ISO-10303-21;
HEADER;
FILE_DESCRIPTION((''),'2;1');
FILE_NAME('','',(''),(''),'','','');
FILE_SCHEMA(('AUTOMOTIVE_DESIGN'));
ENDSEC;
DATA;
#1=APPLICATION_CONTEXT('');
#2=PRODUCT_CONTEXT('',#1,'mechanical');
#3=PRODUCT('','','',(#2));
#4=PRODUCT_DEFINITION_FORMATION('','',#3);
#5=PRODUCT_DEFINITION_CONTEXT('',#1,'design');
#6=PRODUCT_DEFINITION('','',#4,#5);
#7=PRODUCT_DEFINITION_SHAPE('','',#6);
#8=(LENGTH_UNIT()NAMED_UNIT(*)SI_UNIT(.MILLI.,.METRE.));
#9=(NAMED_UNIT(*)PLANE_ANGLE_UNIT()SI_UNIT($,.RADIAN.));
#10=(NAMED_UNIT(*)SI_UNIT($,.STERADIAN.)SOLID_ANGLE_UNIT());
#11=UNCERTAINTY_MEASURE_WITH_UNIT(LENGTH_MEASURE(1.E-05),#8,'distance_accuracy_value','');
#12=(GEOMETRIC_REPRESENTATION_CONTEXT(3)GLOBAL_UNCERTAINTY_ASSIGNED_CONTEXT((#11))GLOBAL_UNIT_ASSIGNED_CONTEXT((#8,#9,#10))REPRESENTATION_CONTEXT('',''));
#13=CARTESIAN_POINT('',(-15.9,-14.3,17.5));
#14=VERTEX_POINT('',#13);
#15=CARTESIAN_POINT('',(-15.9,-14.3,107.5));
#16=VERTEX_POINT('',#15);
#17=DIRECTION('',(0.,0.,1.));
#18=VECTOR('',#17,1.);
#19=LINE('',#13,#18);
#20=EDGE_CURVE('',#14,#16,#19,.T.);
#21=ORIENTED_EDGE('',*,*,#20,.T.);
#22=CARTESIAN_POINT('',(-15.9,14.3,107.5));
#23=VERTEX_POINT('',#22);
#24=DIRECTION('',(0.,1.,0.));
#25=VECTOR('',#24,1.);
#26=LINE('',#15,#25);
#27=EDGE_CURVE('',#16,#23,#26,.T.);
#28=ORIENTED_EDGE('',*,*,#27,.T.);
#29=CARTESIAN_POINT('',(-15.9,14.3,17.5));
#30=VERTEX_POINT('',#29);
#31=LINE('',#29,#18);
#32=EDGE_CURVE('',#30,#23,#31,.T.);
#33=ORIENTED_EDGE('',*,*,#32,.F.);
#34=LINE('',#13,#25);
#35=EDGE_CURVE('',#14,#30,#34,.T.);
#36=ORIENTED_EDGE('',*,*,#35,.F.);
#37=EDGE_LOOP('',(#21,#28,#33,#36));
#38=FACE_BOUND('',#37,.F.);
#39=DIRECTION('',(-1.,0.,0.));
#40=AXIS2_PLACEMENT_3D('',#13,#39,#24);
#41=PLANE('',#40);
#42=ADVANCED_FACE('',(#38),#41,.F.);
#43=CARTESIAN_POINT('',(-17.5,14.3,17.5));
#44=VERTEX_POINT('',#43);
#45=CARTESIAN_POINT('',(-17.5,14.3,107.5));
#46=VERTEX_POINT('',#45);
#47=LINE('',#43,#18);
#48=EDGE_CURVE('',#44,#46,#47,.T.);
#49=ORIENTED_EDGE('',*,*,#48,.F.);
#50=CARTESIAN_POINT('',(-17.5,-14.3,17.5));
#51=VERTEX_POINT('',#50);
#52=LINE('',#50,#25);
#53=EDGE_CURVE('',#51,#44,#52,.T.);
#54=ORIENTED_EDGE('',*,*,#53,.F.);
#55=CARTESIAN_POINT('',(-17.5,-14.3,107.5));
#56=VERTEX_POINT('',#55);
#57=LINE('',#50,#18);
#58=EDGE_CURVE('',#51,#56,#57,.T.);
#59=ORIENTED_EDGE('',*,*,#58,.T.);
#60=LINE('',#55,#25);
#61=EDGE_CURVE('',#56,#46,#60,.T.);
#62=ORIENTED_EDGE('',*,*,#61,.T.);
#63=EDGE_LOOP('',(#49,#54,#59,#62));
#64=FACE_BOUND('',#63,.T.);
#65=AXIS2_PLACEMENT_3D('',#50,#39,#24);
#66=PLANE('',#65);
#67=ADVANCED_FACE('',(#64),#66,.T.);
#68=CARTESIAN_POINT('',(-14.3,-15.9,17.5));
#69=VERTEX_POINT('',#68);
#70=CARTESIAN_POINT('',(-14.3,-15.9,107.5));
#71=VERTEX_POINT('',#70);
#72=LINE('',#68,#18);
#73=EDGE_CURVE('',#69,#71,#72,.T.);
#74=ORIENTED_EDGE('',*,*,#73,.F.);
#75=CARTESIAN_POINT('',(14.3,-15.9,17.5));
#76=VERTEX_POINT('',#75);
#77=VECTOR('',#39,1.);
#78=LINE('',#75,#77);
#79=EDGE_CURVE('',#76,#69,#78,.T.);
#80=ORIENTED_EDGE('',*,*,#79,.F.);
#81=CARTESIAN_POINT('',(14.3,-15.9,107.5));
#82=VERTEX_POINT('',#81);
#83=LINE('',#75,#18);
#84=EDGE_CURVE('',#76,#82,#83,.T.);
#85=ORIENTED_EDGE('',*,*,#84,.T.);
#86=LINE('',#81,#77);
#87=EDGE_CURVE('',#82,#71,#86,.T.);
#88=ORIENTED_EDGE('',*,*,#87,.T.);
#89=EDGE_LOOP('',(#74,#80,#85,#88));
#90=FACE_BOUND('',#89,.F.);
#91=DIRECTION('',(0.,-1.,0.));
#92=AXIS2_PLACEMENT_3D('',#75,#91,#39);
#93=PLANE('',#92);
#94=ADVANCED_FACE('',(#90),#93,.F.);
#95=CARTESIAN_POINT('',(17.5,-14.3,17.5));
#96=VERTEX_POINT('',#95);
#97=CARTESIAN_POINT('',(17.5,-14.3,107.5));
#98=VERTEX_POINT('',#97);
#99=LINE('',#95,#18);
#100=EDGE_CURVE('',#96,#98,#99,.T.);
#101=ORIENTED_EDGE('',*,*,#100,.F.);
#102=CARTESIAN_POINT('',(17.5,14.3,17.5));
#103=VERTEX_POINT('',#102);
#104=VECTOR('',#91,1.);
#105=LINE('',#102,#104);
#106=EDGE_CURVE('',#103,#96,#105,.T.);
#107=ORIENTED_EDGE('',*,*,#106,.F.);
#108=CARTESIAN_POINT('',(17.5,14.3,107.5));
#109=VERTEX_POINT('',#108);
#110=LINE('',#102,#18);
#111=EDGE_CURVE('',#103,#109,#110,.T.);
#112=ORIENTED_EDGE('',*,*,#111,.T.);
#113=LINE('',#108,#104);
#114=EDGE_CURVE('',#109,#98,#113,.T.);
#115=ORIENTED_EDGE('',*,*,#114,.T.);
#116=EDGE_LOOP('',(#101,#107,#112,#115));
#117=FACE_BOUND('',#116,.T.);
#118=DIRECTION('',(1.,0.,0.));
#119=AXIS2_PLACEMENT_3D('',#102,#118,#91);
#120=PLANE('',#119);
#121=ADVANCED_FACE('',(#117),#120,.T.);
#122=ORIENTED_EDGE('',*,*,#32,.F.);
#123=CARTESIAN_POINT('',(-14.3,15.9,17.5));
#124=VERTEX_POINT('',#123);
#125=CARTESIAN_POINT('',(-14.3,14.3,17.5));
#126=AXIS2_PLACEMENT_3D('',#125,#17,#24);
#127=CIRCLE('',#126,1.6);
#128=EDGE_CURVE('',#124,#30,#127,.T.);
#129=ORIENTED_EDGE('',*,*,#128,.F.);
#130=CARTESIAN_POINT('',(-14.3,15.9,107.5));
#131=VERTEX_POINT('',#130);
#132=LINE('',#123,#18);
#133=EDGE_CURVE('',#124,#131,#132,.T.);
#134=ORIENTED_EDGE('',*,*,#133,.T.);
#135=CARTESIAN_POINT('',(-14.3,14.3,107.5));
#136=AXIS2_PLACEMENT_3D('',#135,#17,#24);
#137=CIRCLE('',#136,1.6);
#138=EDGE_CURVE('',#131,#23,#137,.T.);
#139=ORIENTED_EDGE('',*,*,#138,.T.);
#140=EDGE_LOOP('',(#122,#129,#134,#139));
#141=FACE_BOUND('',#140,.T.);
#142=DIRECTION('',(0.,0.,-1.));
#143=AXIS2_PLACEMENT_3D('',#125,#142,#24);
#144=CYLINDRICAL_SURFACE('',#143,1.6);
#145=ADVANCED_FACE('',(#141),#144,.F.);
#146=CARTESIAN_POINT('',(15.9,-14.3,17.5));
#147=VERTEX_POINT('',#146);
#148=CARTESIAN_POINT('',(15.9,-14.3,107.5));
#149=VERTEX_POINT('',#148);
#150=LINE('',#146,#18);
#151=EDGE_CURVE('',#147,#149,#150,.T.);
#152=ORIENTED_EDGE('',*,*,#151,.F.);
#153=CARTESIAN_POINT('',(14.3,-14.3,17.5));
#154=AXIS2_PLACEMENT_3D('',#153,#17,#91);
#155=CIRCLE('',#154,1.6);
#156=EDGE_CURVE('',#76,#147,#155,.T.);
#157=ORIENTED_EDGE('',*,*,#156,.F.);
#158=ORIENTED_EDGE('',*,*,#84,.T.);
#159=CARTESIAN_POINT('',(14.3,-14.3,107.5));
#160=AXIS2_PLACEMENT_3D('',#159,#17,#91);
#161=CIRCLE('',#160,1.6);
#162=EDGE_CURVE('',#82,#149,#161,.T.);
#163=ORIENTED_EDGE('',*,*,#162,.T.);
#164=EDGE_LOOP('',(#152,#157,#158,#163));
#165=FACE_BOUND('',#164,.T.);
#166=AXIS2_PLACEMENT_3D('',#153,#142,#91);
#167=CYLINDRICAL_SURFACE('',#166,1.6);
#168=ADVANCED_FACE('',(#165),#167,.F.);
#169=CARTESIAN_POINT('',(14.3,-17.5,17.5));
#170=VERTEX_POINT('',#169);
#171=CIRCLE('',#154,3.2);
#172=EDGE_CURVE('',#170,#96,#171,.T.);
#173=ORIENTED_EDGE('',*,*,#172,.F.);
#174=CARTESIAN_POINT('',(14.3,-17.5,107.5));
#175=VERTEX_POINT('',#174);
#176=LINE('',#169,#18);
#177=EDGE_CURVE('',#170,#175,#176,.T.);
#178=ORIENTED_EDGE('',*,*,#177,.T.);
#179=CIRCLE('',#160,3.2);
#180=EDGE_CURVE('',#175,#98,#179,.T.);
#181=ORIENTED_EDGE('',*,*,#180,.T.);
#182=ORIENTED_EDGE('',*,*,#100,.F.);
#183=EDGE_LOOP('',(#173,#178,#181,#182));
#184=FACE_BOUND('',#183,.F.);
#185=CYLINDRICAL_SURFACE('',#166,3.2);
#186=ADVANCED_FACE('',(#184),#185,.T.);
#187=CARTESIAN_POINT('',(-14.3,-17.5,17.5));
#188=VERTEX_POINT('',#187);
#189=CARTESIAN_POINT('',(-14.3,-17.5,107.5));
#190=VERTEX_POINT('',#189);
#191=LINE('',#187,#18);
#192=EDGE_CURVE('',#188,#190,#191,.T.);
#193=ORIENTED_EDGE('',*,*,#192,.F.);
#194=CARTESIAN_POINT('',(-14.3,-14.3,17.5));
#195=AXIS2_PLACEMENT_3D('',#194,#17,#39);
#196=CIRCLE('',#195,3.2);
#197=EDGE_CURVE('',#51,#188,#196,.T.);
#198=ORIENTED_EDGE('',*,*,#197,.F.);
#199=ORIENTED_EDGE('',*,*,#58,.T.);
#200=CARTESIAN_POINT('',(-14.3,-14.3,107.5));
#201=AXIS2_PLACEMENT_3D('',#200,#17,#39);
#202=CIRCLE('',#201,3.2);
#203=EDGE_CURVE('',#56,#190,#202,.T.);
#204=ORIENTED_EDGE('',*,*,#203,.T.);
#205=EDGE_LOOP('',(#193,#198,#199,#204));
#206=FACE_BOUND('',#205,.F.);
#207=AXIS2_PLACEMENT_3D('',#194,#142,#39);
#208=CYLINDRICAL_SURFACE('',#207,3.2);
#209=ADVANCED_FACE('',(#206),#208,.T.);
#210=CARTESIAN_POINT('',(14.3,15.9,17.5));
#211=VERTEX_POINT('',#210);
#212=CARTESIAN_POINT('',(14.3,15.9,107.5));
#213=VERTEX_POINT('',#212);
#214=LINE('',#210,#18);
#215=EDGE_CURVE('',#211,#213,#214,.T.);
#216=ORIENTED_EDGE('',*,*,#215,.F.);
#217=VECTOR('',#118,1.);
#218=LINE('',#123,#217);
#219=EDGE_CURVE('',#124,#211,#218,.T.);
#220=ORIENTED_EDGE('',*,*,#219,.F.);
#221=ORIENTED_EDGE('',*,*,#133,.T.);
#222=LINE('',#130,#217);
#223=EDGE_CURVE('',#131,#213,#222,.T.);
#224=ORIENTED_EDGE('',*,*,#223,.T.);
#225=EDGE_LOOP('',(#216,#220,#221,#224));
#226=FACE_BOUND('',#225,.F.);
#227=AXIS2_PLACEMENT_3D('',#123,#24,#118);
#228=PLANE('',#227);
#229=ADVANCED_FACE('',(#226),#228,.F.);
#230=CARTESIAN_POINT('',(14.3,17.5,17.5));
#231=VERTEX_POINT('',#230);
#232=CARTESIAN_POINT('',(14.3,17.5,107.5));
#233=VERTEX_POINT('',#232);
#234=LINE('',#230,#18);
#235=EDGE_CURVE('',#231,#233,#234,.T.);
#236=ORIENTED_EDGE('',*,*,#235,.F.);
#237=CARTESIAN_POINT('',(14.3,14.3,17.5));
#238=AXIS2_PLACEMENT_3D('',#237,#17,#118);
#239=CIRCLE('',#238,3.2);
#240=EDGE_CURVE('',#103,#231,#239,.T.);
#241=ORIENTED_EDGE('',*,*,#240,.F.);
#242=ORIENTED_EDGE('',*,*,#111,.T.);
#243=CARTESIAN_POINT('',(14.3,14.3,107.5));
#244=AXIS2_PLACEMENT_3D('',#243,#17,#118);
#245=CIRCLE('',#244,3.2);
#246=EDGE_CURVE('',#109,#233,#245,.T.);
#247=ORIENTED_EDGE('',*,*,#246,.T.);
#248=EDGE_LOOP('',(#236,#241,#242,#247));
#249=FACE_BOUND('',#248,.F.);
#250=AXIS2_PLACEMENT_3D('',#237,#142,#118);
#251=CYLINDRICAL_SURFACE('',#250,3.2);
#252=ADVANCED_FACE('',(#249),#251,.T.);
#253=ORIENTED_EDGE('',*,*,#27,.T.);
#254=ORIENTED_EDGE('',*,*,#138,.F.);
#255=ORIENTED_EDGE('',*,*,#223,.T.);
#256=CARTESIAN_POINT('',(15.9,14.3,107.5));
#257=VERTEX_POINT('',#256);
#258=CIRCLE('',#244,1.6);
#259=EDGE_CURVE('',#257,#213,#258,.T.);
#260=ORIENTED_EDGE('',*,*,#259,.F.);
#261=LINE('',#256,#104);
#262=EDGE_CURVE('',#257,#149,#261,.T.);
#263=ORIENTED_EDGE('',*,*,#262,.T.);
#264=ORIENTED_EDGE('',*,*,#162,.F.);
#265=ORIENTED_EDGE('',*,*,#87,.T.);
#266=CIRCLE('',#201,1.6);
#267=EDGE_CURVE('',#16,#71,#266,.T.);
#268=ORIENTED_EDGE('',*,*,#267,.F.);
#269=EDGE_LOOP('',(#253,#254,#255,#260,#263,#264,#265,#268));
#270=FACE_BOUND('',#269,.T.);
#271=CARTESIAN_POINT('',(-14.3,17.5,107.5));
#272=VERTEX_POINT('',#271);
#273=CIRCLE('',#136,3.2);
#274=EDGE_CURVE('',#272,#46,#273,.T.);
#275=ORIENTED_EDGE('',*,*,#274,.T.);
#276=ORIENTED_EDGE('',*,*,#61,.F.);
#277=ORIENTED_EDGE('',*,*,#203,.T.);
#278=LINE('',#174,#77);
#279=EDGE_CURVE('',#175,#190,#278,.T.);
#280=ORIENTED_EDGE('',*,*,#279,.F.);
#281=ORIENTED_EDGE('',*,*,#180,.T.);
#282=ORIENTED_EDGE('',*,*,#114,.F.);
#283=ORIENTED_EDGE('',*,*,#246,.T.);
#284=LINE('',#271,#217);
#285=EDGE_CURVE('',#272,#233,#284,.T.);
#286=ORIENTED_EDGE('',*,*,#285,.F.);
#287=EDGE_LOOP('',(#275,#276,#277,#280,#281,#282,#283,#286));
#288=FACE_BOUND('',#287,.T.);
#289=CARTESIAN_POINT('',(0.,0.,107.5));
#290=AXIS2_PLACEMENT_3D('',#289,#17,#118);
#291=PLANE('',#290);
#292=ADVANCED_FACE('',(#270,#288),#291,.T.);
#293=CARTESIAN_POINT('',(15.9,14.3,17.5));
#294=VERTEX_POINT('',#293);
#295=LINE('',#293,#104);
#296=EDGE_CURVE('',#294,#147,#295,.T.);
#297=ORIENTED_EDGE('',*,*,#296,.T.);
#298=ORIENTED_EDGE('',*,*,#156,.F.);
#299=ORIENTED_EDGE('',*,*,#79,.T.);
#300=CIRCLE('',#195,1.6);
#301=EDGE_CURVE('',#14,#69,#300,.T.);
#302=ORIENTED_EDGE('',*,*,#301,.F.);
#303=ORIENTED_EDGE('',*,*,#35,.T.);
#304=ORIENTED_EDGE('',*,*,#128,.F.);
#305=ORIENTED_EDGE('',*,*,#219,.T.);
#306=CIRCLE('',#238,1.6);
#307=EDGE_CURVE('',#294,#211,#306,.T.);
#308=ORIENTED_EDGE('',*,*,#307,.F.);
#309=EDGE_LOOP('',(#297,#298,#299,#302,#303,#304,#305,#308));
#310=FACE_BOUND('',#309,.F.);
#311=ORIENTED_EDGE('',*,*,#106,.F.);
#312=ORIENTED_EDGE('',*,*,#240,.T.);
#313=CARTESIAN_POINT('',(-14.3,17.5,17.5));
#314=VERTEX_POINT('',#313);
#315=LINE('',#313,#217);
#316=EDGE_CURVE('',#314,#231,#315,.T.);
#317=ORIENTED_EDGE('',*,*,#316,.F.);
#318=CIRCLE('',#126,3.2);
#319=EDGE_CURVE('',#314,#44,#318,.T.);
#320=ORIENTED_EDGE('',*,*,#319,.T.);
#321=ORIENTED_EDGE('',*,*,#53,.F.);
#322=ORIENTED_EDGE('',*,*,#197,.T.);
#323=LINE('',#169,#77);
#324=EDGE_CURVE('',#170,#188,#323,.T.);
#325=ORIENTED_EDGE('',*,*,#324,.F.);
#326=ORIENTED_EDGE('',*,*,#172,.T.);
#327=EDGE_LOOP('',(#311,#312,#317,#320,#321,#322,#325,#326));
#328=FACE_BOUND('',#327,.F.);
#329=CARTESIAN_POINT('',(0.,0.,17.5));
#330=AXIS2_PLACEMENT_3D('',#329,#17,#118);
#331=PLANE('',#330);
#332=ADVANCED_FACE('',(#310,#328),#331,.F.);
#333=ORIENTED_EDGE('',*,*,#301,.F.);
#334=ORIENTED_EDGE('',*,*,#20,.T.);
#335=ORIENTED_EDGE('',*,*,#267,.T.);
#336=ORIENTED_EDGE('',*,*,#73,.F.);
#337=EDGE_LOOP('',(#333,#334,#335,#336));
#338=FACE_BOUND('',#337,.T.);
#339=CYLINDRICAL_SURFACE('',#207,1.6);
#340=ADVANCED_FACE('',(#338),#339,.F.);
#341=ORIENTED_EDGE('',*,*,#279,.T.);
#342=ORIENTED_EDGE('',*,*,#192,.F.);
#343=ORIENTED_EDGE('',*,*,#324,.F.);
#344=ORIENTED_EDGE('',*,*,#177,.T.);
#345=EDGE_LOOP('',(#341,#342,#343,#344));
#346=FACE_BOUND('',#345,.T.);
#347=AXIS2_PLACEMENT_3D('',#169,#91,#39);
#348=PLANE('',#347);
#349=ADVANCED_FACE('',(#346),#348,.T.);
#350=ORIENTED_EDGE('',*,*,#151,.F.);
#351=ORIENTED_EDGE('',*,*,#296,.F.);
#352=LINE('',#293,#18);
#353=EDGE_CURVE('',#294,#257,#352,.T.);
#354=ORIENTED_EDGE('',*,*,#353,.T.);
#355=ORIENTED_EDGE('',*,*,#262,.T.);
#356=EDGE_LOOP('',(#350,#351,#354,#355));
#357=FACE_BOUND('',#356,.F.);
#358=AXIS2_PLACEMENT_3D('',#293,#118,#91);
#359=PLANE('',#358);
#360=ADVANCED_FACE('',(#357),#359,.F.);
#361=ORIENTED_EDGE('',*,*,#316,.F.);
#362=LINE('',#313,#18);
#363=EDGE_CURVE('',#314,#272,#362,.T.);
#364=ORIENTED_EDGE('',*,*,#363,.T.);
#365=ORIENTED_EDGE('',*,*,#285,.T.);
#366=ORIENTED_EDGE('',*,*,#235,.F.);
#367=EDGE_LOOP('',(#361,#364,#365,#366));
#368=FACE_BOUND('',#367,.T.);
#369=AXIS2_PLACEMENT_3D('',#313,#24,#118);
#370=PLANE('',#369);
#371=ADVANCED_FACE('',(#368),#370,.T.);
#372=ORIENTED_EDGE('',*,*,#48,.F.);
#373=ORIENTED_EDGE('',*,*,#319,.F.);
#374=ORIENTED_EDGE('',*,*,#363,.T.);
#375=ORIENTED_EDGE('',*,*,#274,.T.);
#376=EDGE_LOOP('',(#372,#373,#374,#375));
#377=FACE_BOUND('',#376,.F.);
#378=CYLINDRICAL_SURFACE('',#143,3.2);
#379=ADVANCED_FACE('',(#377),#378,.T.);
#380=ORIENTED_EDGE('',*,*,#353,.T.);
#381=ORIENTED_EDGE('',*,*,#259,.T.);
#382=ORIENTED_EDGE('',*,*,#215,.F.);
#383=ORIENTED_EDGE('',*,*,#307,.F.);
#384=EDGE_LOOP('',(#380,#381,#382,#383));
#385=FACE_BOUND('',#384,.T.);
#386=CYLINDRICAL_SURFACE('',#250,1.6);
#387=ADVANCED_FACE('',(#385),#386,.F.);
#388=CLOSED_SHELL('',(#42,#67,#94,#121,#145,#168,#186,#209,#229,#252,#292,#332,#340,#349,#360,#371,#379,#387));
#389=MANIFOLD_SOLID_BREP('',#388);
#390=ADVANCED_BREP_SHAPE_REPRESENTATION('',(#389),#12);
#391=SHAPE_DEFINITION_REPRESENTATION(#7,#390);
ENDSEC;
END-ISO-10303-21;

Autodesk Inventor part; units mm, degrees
ref_plane "Start plane" through (0, 0, 17.5) normal (0, 0, 1) x (1, 0, 0)
ref_plane "End plane" through (0, 0, 107.5) normal (0, 0, 1) x (1, 0, 0)
sketch "Sketch" plane through (0, 0, 0) normal (0, 0, 1) x (1, 0, 0)
  line L0 (-17.5, -14.3) -> (-17.5, 14.3)
  line L1 (-14.3, 17.5) -> (14.3, 17.5)
  line L2 (17.5, 14.3) -> (17.5, -14.3)
  line L3 (14.3, -17.5) -> (-14.3, -17.5)
  arc A0 (-17.5, -14.3) -> (-14.3, -17.5) centre (-14.3, -14.3) ccw
  arc A1 (-14.3, 17.5) -> (-17.5, 14.3) centre (-14.3, 14.3) ccw
  arc A2 (17.5, 14.3) -> (14.3, 17.5) centre (14.3, 14.3) ccw
  arc A3 (14.3, -17.5) -> (17.5, -14.3) centre (14.3, -14.3) ccw
  arc A4 (-14.3, 15.9) -> (-15.9, 14.3) centre (-14.3, 14.3) ccw
  line L4 (-14.3, 15.9) -> (14.3, 15.9)
  arc A5 (15.9, 14.3) -> (14.3, 15.9) centre (14.3, 14.3) ccw
  line L5 (15.9, 14.3) -> (15.9, -14.3)
  arc A6 (14.3, -15.9) -> (15.9, -14.3) centre (14.3, -14.3) ccw
  line L6 (14.3, -15.9) -> (-14.3, -15.9)
  arc A7 (-15.9, -14.3) -> (-14.3, -15.9) centre (-14.3, -14.3) ccw
  line L7 (-15.9, -14.3) -> (-15.9, 14.3)
  line L8 (0, 25.4278) -> (0, -25.4278) construction
  line L9 (-25.4278, 0) -> (25.4278, 0) construction
  dimension "d7" = 3.2
  dimension "d10" = 35
  dimension "d11" = 35
  dimension "d12" = 1.6
  dimension "d15" = 17.5
  dimension "d16" = 17.5
extrude "Body" add sketch "Sketch" along normal up to surface (90 mm away) from surface at 17.5
sketch "Sketch3" plane through (0, 0, 0) normal (0, 0, 1) x (1, 0, 0)
  line L0 (0, 0) -> (10, 0)
ref_plane "Work Plane3" through (0, 0, 0) normal (0, -1, 0) x (1, 0, 0)
sketch "Sketch4" plane through (0, 0, 0) normal (0, -1, 0) x (1, 0, 0)
  line L0 (-2, 17.5) -> (12, 17.5)
  line L1 (-2, 107.5) -> (12, 107.5)
  dimension "d18" = 90
ref_plane "Work Plane4" through (0, -12.5, 17.5) normal (0, 0, -1) x (-1, 0, 0)
split "Split1" plane through (0, -12.5, 17.5) removes the side toward (0, 0, -1)
ref_plane "Work Plane5" through (0, -61.0189, 107.5) normal (0, 0, 1) x (1, 0, 0)
split "Split2" plane through (0, -61.0189, 107.5) removes the side toward (0, 0, 1)
equation "\"d7\" = G_IR"
equation "\"d10\" = G_H"
equation "\"d11\" = G_W"
equation "\"d12\" = G_T"
equation "\"d15\" = 0.5 * d10"
equation "\"d16\" = 0.5 * d11"
equation "\"d3\" = G_L"
equation "\"G_W\" = 35"
equation "\"G_H\" = 35"
equation "\"G_T\" = 1.6"
equation "\"G_IR\" = 3.2"
equation "\"G_L\" = d18"
equation "\"G_OFFSET_START\" = -17.5"
equation "\"G_OFFSET_END\" = -17.5"
equation "\"d13\" = -G_OFFSET_START"
equation "\"d14\" = G_OFFSET_END + B_L"
equation "\"B_L\" = 125"
properties part number "AS 1163 - C350L0 35x35x1.6 SHS - 90" material "Steel, Mild"
